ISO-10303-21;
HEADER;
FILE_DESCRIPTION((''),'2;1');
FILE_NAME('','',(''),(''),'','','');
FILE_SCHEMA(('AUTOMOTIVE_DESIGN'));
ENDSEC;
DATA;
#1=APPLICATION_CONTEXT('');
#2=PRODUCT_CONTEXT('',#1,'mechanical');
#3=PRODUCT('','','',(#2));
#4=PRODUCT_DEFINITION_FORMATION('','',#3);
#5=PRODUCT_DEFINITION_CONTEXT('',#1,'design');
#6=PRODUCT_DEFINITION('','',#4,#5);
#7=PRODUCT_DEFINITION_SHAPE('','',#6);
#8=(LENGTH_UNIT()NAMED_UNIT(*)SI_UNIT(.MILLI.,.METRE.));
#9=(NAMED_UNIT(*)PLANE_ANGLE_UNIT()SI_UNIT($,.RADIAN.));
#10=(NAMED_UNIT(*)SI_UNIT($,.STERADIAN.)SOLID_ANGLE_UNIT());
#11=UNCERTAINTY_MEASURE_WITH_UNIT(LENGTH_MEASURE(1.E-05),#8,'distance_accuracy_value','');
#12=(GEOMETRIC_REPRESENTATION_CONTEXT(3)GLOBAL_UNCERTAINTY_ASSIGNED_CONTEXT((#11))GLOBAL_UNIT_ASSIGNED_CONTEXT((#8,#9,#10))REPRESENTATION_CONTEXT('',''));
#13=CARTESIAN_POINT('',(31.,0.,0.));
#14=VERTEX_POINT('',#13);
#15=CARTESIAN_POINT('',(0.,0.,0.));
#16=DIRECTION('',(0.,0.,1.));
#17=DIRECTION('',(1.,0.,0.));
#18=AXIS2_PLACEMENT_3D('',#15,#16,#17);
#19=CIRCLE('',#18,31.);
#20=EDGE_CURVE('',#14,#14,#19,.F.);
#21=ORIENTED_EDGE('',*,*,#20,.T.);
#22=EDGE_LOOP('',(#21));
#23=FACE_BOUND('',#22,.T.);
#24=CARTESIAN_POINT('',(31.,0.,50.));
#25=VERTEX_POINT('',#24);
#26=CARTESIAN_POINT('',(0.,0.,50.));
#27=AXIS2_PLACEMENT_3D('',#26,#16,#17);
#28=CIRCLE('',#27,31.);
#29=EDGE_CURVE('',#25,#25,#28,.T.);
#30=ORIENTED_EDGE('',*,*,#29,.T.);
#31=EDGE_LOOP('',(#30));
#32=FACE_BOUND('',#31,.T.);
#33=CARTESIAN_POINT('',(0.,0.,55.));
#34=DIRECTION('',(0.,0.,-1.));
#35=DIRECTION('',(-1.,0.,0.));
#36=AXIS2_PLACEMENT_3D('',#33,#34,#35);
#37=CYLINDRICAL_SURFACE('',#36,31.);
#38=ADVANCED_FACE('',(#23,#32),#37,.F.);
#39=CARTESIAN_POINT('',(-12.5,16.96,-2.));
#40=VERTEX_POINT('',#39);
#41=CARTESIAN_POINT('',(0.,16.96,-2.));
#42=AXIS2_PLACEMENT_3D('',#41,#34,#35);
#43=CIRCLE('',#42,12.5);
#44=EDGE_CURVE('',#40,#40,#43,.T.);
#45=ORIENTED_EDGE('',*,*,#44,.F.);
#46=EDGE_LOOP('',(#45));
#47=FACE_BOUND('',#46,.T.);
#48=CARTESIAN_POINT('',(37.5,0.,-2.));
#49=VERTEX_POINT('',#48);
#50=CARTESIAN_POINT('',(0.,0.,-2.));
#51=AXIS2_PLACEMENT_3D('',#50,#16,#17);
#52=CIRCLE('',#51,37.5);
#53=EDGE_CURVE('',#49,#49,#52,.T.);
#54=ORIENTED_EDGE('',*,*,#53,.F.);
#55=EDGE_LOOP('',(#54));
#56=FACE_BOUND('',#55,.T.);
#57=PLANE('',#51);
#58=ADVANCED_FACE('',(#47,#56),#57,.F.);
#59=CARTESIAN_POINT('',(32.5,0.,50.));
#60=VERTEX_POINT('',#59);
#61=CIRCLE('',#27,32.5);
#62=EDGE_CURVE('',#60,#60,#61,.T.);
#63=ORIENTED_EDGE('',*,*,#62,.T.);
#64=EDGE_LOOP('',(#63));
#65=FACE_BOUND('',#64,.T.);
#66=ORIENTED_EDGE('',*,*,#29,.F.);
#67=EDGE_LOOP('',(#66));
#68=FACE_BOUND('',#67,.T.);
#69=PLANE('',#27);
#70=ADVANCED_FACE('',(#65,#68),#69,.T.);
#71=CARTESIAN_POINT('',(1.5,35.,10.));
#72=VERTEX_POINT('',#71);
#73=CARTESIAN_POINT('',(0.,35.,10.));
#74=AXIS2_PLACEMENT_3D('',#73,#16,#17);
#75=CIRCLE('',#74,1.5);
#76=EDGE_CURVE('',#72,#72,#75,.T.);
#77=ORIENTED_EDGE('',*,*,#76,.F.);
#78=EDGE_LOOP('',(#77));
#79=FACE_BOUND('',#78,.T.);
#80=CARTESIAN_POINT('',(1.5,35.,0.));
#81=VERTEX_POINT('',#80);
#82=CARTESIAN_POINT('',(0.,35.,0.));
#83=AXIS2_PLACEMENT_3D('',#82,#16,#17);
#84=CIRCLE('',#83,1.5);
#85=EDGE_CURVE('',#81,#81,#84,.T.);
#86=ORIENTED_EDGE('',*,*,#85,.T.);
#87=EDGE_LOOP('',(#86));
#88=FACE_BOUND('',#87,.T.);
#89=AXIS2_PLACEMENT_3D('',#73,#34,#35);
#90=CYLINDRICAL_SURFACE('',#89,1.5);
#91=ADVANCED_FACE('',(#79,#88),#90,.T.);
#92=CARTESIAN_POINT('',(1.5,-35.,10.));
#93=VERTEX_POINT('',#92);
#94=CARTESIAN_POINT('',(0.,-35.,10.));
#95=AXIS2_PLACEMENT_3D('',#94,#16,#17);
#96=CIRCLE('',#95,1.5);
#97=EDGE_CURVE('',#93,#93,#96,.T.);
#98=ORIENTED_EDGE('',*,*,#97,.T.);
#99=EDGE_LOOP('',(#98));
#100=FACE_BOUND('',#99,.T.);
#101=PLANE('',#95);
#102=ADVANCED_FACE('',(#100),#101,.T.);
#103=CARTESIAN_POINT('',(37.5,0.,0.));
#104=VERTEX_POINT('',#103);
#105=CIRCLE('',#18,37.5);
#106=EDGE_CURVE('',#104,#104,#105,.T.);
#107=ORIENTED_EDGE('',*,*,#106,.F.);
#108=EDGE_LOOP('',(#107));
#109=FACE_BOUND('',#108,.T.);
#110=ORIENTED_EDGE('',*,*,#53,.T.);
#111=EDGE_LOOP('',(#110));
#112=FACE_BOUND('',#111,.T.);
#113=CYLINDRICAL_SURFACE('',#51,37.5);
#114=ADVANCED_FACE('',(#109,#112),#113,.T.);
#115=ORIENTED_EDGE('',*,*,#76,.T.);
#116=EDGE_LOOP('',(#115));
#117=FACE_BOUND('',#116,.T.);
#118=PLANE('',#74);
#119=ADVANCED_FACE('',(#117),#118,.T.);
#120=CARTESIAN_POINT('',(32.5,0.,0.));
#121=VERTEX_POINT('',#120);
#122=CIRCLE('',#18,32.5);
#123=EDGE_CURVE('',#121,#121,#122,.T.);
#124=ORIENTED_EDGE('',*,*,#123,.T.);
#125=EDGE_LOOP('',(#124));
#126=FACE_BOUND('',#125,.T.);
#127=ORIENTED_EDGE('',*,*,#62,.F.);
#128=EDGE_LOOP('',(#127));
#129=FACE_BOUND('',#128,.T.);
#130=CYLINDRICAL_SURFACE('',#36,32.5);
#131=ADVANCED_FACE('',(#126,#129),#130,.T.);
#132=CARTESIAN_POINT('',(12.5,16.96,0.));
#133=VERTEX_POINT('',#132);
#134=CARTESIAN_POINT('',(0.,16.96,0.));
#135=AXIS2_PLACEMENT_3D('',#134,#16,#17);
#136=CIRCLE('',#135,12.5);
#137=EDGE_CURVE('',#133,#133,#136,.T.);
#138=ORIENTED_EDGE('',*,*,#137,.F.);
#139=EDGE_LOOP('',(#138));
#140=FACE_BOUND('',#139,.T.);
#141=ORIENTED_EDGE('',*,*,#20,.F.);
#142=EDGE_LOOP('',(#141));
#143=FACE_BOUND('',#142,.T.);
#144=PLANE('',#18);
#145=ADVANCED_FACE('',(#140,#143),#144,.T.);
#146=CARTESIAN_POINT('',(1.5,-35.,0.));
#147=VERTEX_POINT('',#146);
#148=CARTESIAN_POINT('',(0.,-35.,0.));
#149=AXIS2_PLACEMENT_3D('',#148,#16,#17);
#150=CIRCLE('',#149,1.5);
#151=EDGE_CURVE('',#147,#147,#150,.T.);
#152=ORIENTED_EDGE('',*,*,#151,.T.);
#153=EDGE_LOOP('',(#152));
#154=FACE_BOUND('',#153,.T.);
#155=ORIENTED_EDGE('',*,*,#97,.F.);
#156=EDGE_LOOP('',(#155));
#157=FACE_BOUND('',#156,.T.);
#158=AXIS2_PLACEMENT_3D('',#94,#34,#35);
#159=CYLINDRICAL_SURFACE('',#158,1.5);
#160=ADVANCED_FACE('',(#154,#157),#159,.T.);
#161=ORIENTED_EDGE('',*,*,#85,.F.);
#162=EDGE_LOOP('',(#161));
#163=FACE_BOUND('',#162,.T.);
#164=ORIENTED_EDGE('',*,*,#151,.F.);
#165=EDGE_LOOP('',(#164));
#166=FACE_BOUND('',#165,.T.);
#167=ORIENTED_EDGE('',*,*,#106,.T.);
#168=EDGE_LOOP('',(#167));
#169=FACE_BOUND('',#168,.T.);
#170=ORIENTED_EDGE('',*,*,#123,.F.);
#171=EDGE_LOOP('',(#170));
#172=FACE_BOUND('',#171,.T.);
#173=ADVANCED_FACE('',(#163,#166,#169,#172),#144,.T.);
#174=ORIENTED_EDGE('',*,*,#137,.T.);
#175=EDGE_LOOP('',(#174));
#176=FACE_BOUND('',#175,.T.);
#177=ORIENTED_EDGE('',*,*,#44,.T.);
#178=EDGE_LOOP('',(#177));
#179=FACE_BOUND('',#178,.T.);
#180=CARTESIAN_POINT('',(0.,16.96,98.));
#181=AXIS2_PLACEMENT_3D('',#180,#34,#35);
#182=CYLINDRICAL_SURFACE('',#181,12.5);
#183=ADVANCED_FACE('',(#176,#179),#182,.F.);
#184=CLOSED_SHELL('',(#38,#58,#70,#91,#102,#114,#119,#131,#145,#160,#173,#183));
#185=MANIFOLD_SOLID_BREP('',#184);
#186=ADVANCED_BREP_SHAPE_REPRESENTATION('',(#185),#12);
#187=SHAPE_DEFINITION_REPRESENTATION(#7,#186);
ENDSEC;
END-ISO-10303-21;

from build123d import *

# Parameters (mm, degrees)
SKETCH1_R           = 37.5
SKETCH1_R_2         = 32.5
SKETCH1_R_3         = 31
BOSS_EXTRUDE1_DEPTH = 2
SKETCH2_R           = 32.5
SKETCH2_R_2         = 31
BOSS_EXTRUDE2_DEPTH = 55
SKETCH8_R           = 1.5
BOSS_EXTRUDE3_DEPTH = 10
CUT_EXTRUDE1_START  = -5
SKETCH9_R           = 32.5
SKETCH9_R_2         = 31
CUT_EXTRUDE1_DEPTH  = 5
SKETCH10_R          = 12.5
CUT_EXTRUDE3_DEPTH  = 100


with BuildPart() as part:
    # Sketch1 → Boss-Extrude1 (new body)
    # profile 1 of 3: a face of its own
    with BuildSketch(Plane.XY):
        Circle(SKETCH1_R)
        Circle(SKETCH1_R_2, mode=Mode.SUBTRACT)
    # profile 2 of 3: a face of its own
    with BuildSketch(Plane.XY):
        Circle(SKETCH1_R_2)
        Circle(SKETCH1_R_3, mode=Mode.SUBTRACT)
    # profile 3 of 3: a face of its own
    with BuildSketch(Plane.XY):
        Circle(SKETCH1_R_3)
    extrude(amount=-BOSS_EXTRUDE1_DEPTH)

    # Sketch2 → Boss-Extrude2 (add)
    with BuildSketch(Plane.XY):
        Circle(SKETCH2_R)
        Circle(SKETCH2_R_2, mode=Mode.SUBTRACT)
    extrude(amount=BOSS_EXTRUDE2_DEPTH)

    # Sketch8 → Boss-Extrude3 (add)
    with BuildSketch(Plane.XY):
        with Locations((0, 35)):
            Circle(SKETCH8_R)
        with Locations((0, -35)):
            Circle(SKETCH8_R)
    extrude(amount=BOSS_EXTRUDE3_DEPTH)

    # Sketch9 → Cut-Extrude1 (cut)
    with BuildSketch(Plane.XY.offset(55).offset(CUT_EXTRUDE1_START)):
        Circle(SKETCH9_R)
        Circle(SKETCH9_R_2, mode=Mode.SUBTRACT)
    extrude(amount=CUT_EXTRUDE1_DEPTH, mode=Mode.SUBTRACT)

    # Sketch10 → Cut-Extrude3 (cut)
    with BuildSketch(Plane(origin=(0, 0, -2), x_dir=(-1, 0, 0), z_dir=(0, 0, -1))):
        with Locations((0, 16.96)):
            Circle(SKETCH10_R)
    extrude(amount=-CUT_EXTRUDE3_DEPTH, mode=Mode.SUBTRACT)


solid = part.part
